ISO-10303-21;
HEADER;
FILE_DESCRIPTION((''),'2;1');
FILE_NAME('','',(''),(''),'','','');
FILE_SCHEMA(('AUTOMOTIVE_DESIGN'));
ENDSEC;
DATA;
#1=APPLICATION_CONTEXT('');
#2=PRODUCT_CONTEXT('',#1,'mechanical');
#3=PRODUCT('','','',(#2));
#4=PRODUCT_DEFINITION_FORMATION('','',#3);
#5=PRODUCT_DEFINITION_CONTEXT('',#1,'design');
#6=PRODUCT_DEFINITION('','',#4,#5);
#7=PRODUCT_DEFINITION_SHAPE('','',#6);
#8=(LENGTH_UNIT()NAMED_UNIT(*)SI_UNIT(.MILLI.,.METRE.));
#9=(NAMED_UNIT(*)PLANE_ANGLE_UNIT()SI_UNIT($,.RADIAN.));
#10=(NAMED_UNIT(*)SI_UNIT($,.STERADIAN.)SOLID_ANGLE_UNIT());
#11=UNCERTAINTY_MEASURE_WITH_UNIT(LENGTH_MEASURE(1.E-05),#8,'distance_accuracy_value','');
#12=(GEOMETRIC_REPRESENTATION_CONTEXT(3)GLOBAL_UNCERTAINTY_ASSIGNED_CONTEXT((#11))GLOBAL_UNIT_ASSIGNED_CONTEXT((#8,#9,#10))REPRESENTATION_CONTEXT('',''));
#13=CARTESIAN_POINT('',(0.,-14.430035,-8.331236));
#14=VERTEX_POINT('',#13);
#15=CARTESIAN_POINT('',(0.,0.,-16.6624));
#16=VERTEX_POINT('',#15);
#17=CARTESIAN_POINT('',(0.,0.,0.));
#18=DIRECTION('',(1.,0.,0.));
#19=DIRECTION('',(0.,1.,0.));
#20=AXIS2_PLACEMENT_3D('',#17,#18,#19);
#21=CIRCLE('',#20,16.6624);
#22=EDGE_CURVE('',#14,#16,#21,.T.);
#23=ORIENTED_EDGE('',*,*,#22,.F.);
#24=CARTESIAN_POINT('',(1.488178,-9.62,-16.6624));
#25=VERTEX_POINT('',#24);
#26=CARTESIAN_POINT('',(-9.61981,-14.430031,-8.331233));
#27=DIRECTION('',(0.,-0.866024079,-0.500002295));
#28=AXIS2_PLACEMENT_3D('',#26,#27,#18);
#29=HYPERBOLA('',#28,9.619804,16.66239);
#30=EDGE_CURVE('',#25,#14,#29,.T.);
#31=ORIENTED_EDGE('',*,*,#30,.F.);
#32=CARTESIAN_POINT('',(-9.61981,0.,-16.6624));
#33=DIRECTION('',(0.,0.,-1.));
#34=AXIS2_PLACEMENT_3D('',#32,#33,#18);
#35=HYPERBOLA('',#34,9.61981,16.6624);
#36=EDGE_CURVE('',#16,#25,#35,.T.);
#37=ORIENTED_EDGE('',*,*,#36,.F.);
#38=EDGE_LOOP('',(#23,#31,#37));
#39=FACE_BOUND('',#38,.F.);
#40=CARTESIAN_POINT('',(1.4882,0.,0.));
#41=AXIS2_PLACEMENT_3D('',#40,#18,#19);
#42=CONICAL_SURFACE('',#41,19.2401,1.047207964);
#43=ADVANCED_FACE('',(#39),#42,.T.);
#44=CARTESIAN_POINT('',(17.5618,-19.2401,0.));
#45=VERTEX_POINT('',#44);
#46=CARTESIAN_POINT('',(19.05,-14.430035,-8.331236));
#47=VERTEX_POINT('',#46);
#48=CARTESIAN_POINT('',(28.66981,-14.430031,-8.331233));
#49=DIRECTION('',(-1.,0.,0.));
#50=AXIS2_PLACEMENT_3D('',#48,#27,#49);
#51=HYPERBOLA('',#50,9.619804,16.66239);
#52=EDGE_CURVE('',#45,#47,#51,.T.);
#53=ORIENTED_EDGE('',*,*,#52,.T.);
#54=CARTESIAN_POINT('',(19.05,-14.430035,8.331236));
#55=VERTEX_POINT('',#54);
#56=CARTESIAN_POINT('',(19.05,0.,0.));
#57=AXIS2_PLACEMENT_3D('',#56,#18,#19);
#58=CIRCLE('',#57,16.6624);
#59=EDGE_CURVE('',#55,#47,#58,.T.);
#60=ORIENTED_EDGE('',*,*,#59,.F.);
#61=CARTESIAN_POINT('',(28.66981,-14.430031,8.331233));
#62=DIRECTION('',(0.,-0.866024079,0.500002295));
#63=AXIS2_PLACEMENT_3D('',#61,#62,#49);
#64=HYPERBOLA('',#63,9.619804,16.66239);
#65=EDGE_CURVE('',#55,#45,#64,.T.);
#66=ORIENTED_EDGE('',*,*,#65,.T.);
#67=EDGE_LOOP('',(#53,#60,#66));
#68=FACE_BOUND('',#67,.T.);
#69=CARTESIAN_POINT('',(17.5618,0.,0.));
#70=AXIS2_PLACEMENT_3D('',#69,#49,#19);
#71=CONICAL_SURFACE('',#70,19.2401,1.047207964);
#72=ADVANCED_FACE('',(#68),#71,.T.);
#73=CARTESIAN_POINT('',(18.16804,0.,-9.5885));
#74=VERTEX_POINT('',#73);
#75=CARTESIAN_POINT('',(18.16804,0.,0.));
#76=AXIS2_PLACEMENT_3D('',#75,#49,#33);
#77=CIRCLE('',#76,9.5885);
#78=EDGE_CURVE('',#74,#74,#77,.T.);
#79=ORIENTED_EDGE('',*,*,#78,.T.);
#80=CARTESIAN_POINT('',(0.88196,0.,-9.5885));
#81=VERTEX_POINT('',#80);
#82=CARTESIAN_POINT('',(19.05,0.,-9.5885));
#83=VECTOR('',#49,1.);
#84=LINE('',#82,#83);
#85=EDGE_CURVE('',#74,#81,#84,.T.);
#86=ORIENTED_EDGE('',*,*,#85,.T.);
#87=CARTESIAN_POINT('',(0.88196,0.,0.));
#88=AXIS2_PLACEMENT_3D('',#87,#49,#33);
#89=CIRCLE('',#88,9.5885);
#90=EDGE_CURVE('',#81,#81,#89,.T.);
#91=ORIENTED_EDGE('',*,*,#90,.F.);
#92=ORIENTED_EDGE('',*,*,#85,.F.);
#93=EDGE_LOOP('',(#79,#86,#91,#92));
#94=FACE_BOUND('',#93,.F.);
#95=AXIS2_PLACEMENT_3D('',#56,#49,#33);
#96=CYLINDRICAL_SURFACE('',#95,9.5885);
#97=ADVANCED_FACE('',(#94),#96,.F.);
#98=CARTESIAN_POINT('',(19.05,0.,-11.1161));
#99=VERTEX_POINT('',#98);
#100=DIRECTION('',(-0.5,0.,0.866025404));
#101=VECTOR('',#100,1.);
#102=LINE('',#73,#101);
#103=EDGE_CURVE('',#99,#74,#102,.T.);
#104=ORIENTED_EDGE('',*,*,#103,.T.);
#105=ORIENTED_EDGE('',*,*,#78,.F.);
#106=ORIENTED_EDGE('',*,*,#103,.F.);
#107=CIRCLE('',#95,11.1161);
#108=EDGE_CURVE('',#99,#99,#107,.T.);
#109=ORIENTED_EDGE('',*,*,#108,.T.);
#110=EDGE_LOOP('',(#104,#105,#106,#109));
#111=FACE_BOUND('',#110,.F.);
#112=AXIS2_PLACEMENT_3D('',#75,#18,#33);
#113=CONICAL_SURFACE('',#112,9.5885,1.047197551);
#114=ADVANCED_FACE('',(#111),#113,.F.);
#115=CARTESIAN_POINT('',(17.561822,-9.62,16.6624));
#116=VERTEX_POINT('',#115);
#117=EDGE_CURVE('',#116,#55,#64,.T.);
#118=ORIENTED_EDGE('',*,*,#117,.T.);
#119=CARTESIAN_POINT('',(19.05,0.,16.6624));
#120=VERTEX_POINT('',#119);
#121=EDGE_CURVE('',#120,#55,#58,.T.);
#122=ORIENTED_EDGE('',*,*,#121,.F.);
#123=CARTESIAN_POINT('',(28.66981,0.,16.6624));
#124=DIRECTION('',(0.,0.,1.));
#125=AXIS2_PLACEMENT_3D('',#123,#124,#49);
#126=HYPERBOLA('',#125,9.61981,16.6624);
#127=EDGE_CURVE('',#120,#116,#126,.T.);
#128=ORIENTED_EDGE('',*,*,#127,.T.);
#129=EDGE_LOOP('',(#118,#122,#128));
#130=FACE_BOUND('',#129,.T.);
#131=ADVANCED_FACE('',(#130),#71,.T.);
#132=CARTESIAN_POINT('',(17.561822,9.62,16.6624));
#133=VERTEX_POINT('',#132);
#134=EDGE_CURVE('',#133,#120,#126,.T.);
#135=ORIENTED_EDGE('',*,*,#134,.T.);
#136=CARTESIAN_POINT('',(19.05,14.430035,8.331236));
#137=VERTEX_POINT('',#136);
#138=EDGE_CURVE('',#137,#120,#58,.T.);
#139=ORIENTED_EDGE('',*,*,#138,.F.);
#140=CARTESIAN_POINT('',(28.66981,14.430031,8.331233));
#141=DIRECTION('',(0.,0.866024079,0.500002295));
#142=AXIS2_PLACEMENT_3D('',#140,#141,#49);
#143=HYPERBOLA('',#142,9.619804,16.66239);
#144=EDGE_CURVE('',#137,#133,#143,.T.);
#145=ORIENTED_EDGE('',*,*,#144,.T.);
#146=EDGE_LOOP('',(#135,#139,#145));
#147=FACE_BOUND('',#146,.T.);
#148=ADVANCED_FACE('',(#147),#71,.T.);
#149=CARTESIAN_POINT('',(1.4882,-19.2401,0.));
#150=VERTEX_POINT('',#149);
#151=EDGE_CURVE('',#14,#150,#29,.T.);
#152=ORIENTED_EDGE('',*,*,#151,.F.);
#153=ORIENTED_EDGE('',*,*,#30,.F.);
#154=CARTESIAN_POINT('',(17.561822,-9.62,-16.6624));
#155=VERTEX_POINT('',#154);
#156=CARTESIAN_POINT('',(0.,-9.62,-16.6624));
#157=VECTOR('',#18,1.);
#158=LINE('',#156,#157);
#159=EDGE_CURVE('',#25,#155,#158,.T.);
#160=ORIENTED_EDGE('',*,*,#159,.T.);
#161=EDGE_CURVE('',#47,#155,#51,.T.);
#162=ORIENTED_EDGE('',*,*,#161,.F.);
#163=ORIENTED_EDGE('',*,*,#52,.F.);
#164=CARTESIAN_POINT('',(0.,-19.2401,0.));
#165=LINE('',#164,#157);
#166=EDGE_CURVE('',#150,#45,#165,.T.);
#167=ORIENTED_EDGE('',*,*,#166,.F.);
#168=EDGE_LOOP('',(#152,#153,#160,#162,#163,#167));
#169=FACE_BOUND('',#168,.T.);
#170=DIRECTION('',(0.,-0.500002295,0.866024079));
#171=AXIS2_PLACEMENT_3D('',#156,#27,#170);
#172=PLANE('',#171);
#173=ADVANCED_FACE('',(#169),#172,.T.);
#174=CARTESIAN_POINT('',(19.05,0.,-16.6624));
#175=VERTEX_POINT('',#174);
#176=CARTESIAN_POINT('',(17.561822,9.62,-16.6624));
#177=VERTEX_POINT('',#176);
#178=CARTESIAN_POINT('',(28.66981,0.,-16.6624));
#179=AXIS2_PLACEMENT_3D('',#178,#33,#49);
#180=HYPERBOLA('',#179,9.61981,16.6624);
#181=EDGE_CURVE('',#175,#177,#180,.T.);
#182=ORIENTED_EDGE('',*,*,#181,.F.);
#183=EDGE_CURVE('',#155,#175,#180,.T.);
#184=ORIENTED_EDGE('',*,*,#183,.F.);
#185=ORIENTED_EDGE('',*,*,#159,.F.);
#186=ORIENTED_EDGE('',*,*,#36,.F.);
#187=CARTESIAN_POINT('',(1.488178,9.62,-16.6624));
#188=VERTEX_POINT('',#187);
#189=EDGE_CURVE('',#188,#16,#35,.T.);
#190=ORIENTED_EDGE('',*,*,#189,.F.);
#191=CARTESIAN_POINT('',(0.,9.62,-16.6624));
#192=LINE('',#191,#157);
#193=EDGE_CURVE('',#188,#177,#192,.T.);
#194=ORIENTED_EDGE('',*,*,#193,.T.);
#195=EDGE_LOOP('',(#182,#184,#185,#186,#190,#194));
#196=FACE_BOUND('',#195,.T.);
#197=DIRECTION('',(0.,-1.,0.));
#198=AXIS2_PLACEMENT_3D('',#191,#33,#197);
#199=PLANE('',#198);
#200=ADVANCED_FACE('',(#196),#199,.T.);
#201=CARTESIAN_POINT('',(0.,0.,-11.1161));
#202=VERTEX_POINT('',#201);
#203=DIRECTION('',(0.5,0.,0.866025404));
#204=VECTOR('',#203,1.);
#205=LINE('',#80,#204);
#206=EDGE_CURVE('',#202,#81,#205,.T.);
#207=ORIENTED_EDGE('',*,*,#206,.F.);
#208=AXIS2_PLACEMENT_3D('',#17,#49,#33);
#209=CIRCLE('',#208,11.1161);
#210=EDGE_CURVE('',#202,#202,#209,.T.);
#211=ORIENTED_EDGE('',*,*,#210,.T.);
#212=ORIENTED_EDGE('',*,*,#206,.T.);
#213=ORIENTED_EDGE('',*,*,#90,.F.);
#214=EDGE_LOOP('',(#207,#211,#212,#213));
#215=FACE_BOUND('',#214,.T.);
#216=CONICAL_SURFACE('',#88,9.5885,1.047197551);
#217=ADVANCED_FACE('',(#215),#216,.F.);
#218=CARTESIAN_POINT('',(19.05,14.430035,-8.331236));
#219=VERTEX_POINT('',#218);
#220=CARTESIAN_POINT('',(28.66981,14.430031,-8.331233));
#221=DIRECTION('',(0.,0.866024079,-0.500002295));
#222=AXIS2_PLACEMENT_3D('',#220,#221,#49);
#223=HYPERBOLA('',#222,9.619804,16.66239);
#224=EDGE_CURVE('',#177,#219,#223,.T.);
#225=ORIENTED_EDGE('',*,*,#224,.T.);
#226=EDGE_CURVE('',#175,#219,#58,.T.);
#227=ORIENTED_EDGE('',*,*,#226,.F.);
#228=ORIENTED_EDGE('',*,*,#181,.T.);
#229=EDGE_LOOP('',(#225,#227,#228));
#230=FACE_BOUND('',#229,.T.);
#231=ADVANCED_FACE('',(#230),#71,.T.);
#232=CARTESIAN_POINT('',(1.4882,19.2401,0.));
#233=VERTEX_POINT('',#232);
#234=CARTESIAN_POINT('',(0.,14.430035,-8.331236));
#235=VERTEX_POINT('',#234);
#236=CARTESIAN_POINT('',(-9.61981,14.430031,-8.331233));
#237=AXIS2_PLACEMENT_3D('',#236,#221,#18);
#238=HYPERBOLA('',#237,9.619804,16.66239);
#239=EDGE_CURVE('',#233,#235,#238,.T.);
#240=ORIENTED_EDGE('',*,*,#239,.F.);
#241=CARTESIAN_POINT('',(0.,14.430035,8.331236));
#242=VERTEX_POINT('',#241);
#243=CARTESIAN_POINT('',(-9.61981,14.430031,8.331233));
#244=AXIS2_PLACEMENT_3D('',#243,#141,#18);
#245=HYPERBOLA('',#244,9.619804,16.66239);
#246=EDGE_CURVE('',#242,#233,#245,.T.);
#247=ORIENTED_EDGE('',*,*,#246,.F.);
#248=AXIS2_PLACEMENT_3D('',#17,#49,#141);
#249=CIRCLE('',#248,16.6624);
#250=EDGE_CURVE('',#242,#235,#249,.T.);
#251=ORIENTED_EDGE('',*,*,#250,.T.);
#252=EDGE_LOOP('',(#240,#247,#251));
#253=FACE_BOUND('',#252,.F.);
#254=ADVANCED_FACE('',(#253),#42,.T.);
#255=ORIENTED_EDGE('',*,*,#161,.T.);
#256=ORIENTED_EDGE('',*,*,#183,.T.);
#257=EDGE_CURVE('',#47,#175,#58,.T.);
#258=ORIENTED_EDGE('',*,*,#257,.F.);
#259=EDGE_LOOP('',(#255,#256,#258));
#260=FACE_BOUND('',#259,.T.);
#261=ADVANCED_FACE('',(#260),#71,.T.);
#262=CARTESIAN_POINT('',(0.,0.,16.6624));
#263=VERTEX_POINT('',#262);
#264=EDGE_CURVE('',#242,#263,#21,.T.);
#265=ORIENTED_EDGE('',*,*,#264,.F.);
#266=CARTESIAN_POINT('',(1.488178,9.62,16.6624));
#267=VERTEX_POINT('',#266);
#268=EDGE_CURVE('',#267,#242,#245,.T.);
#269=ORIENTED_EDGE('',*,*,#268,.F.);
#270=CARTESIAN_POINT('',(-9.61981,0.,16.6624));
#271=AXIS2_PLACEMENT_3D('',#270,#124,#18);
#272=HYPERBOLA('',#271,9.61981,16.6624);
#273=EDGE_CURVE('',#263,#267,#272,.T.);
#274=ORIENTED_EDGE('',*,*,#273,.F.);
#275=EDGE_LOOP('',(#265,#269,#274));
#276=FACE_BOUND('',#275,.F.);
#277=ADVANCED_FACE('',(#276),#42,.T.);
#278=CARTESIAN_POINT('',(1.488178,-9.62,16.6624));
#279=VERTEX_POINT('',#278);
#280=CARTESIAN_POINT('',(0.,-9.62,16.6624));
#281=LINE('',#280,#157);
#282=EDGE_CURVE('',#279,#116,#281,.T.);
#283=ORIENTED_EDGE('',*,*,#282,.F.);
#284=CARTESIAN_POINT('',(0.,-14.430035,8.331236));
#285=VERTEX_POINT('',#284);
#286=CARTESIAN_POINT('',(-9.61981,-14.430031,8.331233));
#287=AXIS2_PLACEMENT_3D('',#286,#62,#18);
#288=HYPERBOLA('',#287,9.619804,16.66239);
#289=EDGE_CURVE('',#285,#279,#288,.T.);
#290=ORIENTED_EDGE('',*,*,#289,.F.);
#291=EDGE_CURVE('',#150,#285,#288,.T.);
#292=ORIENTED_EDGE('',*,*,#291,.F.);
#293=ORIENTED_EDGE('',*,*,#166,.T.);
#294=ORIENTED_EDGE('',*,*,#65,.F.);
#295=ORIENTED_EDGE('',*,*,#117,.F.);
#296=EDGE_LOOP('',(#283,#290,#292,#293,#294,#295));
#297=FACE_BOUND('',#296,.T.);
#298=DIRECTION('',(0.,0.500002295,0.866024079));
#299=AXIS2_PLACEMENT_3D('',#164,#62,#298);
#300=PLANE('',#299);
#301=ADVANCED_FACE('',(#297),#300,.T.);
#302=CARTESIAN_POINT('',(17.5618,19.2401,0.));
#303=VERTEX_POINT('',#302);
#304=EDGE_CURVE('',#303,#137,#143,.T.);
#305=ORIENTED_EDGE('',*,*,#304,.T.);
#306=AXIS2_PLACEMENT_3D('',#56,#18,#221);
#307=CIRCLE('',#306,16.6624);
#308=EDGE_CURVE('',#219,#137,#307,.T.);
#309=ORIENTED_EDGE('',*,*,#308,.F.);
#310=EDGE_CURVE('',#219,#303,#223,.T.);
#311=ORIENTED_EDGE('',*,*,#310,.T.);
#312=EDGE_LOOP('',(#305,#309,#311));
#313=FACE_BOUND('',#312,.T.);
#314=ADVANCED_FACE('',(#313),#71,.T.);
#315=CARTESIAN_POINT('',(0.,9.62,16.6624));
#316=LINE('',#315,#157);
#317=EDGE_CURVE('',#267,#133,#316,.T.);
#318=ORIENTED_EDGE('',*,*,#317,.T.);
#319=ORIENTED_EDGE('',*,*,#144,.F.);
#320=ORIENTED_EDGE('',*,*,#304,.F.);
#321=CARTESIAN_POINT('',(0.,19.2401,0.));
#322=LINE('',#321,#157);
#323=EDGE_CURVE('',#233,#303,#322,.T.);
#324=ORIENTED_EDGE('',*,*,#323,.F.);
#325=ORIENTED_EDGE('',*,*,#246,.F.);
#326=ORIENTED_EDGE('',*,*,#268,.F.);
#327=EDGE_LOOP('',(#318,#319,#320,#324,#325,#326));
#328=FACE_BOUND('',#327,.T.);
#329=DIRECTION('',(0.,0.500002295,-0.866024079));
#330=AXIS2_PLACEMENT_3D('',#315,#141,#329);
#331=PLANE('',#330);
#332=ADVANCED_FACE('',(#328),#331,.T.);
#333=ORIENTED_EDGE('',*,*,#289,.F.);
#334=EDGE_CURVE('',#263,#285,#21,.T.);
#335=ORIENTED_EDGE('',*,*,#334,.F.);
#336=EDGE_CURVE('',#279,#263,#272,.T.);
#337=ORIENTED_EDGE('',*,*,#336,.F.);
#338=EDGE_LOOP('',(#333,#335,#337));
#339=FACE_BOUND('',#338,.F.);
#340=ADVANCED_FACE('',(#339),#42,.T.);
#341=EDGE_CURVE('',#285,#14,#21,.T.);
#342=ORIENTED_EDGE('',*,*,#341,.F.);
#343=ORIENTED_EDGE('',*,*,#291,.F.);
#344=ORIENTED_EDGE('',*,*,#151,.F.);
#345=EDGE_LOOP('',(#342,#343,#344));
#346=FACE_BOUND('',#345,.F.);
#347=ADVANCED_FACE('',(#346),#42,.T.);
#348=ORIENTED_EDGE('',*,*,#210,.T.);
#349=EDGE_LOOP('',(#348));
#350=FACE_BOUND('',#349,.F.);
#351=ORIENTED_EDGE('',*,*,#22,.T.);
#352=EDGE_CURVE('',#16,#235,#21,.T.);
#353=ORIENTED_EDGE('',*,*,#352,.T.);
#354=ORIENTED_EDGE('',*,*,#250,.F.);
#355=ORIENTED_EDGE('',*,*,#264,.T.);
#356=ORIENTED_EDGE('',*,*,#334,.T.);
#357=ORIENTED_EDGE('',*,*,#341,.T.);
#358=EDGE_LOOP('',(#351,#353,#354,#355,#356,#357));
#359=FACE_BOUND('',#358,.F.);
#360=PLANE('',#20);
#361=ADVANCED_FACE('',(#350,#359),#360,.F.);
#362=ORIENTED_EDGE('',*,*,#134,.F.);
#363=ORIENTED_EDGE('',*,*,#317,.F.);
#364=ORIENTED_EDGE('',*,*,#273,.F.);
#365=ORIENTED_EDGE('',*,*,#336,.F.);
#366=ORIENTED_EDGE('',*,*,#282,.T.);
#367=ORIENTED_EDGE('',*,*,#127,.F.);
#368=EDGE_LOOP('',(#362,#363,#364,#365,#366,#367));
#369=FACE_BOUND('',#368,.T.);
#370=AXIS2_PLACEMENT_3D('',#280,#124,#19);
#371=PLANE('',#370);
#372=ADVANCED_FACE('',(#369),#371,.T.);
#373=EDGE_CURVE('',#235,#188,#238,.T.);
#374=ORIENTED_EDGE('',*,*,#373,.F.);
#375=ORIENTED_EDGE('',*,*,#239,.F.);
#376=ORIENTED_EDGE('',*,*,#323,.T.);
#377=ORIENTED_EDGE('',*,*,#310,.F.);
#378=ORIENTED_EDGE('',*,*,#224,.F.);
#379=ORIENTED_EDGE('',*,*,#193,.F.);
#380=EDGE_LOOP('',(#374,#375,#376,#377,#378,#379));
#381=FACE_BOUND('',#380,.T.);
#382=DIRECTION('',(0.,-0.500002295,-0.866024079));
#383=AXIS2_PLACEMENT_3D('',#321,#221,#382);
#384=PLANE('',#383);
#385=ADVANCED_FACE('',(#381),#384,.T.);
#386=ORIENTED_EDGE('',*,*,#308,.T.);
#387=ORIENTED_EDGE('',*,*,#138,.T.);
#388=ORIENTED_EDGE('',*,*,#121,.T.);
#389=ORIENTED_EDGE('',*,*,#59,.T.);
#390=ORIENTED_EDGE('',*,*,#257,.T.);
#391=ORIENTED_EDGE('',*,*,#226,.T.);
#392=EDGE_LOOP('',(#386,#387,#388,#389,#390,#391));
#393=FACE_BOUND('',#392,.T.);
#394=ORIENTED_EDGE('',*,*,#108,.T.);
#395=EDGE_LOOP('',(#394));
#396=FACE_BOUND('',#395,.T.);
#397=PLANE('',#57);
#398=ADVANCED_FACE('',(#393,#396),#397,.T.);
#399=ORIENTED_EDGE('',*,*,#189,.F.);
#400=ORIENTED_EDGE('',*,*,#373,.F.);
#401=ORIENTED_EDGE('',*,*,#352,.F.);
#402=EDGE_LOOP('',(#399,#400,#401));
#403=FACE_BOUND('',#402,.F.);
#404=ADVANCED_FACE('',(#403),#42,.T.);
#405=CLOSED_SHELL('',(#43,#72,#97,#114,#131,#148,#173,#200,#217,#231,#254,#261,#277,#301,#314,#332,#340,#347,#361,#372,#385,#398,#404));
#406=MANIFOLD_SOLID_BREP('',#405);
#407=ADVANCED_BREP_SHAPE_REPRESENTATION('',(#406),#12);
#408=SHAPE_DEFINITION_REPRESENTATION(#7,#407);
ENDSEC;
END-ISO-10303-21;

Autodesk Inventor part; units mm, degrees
ref_plane "YZ Plane" through (0, 0, 0) normal (1, 0, 0) x (0, 1, 0)
ref_plane "XZ Plane" through (0, 0, 0) normal (0, 1, 0) x (-1, 0, 0)
sketch "Sketch1" plane through (0, 0, 0) normal (1, 0, 0) x (0, 1, 0)
  line L0 (-19.2401, 0) -> (-9.62, 16.6624)
  line L1 (-9.62, 16.6624) -> (9.62, 16.6624)
  line L2 (9.62, 16.6624) -> (19.2401, 0)
  line L3 (19.2401, 0) -> (9.62, -16.6624)
  line L4 (9.62, -16.6624) -> (-9.62, -16.6624)
  line L5 (-9.62, -16.6624) -> (-19.2401, 0)
  point P0 (0, 0)
  point P1 (0, 0)
  dimension "d0" = 38.4802
extrude "Body" add sketch "Sketch1" along normal blind 19.05
sketch "Sketch2" plane through (0, 0, 0) normal (0, 0, 1) x (1, 0, 0)
  line L0 (0, 9.62) -> (0, 19.2401) projected
  line L1 (0, 19.2401) -> (19.05, 19.2401) projected
  line L2 (19.05, 9.62) -> (19.05, 19.2401) projected
  line L3 (-3.81, 0) -> (22.86, 0) projected
  line L4 (1.4882, 19.2401) -> (0, 16.6624)
  line L5 (17.5618, 19.2401) -> (19.05, 16.6624)
  dimension "d3" = 30
  dimension "d4" = 30
  dimension "d5" = 33.3248
  dimension "d6" = 33.3248
revolve "Chamfer1" cut sketch "Sketch2" angle 360 about axis through (-10, 0, 0) along (1, 0, 0)
sketch "Sketch3" plane through (19.05, 0, 0) normal (1, 0, 0) x (0, 0, -1)
  arc A0 (-8.3312, -14.4301) -> (8.3312, -14.4301) centre (0, 0) ccw projected
hole "Thread" at (19.05, 0, 0) direction (-1, 0, 0) diameter 19.177 end through all thread size "7/8-9 UNC" class "2B" standard "ANSI Unified Screw Threads"
chamfer "Chamfer2" distance 1.5276 angle 30 1 edges at (19.05, 0, 9.5885) measured on face at (19.05, 14.2203, -0.3853)
chamfer "Chamfer3" distance 1.5276 angle 30 1 edges at (0, 0, 9.5885) measured on face at (0, 14.2203, -0.3853)
ref_plane "Work Plane1" through (-35.3023, 0, 0) normal (0, -0.866, -0.5) x (1, 0, 0)
equation "\"d0\" = 1.1547 * SW"
equation "\"d1\" = KOH"
equation "\"d3\" = ANG1"
equation "\"d4\" = ANG2"
equation "\"d5\" = SW0"
equation "\"d6\" = SW01"
equation "\"d8\" = -0.5 * GD1 + 0.5 * NND"
equation "\"d40\" = -0.5 * GD1 + 0.5 * NND"
equation "\"d10\" = -0.5 * GD1 + 0.5 * NND"
equation "\"d41\" = -0.5 * GD1 + 0.5 * NND"
equation "\"ANG1\" = 30deg"
equation "\"ANG2\" = 30deg"
equation "\"NND\" = 22.225"
equation "\"KOH\" = 19.05"
equation "\"SW\" = 33.3248"
equation "\"SW0\" = SW"
equation "\"SW01\" = SW"
equation "\"THREADDIA\" = 22.225"
equation "\"TOA\" = 30deg"
equation "\"E0\" = 1.155 * SW"
equation "\"GD1\" = 19.169855"
properties part number "ANSI B18.2.2 - 7/8 - 9" material "Steel, Mild"
